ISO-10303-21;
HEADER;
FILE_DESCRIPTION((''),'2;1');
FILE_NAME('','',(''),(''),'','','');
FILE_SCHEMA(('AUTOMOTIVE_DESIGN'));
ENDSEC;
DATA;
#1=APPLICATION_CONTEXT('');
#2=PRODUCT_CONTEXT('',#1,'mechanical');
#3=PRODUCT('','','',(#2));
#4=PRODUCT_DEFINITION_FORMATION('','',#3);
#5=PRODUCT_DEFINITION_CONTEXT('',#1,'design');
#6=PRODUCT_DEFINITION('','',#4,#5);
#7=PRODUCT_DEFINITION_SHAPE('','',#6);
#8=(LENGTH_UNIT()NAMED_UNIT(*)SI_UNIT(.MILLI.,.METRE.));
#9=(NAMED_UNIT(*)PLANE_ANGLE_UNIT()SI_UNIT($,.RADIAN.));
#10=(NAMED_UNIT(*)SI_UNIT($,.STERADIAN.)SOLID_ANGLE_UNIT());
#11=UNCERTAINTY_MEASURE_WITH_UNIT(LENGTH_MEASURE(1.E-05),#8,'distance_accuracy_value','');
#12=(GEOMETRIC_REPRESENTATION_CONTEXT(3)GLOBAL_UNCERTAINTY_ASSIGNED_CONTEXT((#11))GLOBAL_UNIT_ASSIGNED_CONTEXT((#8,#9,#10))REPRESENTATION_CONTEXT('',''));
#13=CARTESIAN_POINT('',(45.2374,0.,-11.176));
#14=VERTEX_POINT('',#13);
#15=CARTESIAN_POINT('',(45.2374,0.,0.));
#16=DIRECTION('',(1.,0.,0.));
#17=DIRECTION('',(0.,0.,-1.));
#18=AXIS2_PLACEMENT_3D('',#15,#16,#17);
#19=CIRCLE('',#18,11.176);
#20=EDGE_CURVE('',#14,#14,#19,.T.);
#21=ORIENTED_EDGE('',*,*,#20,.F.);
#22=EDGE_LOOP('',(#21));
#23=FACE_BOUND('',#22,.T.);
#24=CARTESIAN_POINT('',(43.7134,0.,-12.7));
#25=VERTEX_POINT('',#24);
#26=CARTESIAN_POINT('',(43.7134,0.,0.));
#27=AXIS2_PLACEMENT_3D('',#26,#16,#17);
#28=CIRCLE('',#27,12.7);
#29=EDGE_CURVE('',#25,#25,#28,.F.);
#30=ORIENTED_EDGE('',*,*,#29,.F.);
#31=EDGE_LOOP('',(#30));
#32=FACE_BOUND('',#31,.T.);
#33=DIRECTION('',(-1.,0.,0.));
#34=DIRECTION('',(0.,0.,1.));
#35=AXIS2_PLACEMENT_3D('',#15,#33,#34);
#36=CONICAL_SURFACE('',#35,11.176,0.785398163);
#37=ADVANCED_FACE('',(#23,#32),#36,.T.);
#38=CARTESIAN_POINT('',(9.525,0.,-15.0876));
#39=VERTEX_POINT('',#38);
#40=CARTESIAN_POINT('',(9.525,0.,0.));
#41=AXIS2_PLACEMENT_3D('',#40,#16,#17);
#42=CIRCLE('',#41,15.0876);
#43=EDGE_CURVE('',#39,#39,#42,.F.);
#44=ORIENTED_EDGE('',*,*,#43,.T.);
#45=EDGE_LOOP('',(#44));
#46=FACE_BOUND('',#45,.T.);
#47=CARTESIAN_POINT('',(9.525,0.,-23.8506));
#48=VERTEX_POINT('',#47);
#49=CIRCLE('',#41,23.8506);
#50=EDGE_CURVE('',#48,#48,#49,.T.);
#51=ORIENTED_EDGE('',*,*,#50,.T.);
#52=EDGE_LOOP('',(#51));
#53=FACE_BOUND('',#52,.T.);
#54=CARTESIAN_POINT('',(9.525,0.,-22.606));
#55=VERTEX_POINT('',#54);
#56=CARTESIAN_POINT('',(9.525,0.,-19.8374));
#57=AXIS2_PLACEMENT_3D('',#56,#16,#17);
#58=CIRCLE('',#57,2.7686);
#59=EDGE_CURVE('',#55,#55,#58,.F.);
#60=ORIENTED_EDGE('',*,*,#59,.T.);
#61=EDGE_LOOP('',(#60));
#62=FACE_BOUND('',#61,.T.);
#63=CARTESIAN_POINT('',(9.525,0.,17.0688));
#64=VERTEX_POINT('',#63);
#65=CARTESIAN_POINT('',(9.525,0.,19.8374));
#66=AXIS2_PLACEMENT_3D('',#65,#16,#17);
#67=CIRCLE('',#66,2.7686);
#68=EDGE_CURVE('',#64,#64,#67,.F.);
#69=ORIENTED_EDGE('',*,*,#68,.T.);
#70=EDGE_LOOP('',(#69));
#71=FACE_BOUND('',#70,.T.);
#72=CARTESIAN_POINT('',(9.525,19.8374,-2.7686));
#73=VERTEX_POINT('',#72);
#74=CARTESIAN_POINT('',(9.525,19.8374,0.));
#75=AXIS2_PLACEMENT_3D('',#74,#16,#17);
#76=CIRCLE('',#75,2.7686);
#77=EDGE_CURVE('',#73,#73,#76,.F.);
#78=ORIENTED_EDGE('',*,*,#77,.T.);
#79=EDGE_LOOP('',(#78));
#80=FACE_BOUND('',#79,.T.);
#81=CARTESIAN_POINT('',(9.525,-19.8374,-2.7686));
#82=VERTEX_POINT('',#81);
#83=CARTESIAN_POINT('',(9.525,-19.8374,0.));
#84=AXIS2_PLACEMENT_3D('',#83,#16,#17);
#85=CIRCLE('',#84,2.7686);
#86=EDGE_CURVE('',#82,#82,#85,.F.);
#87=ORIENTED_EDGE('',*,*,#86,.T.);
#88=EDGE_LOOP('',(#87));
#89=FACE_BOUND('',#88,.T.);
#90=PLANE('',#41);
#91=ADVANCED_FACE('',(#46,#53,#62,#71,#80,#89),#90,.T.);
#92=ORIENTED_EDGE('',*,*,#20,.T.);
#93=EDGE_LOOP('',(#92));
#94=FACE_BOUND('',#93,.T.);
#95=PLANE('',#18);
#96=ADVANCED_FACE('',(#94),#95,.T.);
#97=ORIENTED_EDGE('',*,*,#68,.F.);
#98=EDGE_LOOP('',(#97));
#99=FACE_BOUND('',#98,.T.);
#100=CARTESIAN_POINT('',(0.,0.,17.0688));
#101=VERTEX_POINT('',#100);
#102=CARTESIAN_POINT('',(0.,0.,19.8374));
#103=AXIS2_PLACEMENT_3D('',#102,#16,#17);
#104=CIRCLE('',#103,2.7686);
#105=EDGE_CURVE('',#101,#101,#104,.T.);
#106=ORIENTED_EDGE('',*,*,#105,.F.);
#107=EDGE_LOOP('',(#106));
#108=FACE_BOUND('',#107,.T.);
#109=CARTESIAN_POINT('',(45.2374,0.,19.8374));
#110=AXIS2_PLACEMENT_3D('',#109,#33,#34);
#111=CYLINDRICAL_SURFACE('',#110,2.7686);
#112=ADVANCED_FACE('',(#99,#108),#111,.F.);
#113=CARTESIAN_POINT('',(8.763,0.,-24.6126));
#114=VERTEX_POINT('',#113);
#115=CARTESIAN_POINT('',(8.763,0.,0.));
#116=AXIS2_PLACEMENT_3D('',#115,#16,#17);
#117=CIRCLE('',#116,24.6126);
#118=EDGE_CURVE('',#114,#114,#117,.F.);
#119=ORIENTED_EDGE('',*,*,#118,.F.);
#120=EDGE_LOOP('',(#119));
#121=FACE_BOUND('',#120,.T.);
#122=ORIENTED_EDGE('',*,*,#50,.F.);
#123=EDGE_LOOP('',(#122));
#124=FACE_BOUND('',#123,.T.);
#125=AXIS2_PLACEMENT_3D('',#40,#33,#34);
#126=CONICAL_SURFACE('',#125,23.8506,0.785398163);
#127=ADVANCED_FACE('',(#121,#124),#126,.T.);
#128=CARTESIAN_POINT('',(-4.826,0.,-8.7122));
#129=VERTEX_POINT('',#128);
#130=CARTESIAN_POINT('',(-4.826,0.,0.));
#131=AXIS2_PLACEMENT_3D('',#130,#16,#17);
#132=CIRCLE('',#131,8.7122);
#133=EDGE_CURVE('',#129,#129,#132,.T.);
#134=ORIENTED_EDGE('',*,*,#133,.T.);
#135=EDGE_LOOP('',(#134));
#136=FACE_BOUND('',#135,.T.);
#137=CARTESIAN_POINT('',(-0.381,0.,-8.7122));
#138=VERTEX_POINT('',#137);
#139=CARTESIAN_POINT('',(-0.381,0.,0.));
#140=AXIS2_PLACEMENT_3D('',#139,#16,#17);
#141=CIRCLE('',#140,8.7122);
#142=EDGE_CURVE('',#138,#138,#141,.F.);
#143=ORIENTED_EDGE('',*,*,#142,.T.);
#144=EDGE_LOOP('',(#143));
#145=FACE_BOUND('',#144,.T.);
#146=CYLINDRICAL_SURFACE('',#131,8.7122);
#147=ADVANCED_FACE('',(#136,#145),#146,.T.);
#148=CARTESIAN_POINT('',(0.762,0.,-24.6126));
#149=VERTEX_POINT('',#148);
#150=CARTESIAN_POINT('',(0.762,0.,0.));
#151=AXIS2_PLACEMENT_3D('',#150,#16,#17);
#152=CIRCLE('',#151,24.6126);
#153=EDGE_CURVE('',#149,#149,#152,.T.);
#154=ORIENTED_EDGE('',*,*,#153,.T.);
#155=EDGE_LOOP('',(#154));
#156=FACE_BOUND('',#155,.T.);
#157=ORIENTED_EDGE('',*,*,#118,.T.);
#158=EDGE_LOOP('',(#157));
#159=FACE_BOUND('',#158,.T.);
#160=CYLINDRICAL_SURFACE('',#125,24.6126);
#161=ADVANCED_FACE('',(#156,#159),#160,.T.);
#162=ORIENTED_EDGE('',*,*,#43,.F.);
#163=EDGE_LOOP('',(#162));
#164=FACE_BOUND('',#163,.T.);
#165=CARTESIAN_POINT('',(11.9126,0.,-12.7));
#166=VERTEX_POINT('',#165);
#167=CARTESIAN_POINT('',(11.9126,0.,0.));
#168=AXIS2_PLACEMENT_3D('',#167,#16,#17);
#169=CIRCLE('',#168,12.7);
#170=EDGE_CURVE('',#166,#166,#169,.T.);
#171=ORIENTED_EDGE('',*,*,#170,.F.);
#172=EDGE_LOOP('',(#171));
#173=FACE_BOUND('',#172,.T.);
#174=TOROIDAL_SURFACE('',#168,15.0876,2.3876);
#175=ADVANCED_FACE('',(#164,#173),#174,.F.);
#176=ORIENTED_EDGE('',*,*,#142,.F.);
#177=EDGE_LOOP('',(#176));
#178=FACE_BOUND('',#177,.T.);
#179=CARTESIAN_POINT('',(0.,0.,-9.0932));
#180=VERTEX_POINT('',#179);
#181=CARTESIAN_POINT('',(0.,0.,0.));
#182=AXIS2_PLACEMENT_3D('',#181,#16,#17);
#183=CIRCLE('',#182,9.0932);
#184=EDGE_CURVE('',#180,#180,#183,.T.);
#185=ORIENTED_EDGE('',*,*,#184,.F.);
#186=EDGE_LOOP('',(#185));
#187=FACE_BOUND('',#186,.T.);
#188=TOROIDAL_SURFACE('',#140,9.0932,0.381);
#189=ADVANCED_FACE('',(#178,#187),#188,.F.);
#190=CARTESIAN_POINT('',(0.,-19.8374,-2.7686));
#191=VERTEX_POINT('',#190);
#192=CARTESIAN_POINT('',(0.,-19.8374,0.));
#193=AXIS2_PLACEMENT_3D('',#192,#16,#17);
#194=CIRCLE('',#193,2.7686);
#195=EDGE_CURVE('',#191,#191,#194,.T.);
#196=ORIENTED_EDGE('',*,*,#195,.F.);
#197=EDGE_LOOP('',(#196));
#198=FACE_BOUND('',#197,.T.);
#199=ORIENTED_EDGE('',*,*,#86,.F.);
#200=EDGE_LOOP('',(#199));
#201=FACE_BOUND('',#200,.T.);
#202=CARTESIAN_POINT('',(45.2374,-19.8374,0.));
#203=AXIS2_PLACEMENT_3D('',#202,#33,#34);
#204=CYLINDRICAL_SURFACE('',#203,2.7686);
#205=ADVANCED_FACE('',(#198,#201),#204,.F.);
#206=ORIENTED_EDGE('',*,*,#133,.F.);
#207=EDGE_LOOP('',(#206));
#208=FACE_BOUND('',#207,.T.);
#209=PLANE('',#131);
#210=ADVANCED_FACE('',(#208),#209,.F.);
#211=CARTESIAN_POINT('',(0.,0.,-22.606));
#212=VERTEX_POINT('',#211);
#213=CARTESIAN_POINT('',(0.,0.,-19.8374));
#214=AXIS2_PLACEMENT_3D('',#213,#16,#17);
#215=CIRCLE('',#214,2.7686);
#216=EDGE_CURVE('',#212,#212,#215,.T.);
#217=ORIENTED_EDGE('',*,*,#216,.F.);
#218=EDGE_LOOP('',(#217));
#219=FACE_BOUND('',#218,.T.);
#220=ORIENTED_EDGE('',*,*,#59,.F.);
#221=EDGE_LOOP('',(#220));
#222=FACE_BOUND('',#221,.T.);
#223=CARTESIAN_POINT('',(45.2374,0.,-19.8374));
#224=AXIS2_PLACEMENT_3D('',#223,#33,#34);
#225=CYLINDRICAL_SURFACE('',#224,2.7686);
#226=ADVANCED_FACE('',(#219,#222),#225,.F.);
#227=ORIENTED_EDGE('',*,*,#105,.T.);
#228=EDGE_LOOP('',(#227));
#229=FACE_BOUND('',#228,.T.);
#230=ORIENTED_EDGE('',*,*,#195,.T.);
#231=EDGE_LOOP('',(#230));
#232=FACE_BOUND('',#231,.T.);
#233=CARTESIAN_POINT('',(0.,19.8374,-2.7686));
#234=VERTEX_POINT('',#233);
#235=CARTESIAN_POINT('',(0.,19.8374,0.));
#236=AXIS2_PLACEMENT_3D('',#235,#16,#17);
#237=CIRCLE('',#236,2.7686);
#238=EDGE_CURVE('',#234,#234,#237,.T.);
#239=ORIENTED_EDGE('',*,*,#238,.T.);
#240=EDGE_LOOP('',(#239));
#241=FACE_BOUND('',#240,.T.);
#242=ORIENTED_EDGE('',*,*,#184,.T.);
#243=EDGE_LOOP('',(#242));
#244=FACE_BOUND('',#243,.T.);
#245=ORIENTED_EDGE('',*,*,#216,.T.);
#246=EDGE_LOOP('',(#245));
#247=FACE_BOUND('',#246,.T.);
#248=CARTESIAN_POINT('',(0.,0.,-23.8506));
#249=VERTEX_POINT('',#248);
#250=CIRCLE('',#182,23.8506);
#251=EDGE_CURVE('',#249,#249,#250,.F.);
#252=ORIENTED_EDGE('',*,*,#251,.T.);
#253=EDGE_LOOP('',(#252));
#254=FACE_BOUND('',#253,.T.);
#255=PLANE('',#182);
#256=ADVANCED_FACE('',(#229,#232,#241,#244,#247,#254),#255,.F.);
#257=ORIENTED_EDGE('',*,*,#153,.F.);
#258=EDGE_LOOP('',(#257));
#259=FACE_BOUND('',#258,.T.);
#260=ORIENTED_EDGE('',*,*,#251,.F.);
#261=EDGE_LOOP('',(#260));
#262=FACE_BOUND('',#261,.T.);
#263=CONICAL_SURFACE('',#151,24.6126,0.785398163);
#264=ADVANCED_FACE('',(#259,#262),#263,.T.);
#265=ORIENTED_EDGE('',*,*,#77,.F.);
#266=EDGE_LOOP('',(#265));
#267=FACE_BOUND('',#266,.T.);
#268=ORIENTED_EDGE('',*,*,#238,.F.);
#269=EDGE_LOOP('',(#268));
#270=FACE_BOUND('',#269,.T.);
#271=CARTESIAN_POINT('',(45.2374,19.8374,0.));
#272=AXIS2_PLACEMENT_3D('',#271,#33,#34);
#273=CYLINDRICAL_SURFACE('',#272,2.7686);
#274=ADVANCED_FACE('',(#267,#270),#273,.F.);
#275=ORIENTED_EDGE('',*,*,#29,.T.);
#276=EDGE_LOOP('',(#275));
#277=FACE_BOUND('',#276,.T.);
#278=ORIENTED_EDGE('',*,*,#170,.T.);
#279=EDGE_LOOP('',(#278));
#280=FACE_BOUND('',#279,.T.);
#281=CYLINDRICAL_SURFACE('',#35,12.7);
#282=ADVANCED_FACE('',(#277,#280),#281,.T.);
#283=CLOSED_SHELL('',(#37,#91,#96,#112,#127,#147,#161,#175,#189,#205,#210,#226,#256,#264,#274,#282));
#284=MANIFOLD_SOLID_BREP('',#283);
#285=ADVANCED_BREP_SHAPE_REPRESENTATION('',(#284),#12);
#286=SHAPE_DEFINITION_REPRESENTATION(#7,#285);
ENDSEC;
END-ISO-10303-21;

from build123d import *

# Parameters (mm, degrees)
SKETCH1_R           = 24.6126
BOSS_EXTRUDE1_DEPTH = 9.525
BOSS_EXTRUDE2_START = 9.525
SKETCH2_R           = 12.7
BOSS_EXTRUDE2_DEPTH = 35.7124
SKETCH3_R           = 8.7122
BOSS_EXTRUDE4_DEPTH = 4.826
SKETCH4_R           = 2.7686
CUT_EXTRUDE2_DEPTH  = 58.078739617
FILLET1_R           = 0.381
FILLET2_R           = 2.3876
CHAMFER1_SIZE       = 0.762
CHAMFER2_SIZE       = 1.524


with BuildPart() as part:
    # Sketch1 → Boss-Extrude1 (new body)
    with BuildSketch(Plane.YZ):
        with Locations(Location((0, 0, 0), (0, 0, 270))):
            Circle(SKETCH1_R)
    extrude(amount=BOSS_EXTRUDE1_DEPTH)

    # Sketch2 → Boss-Extrude2 (add)
    with BuildSketch(Plane.YZ.offset(BOSS_EXTRUDE2_START)):
        with Locations(Location((0, 0, 0), (0, 0, 270))):
            Circle(SKETCH2_R)
    extrude(amount=BOSS_EXTRUDE2_DEPTH)

    # Sketch3 → Boss-Extrude4 (add)
    with BuildSketch(Plane.YZ):
        with Locations(Location((0, 0, 0), (0, 0, 270))):
            Circle(SKETCH3_R)
    extrude(amount=-BOSS_EXTRUDE4_DEPTH)

    # Sketch4 → Cut-Extrude2 (cut, through all)
    with BuildSketch(Plane.YZ):
        with Locations(Location((0, 19.8374, 0), (0, 0, 270))):
            Circle(SKETCH4_R)
        with Locations(Location((19.8374, 0, 0), (0, 0, 270))):
            Circle(SKETCH4_R)
        with Locations(Location((0, -19.8374, 0), (0, 0, 270))):
            Circle(SKETCH4_R)
        with Locations(Location((-19.8374, 0, 0), (0, 0, 270))):
            Circle(SKETCH4_R)
    extrude(amount=CUT_EXTRUDE2_DEPTH, mode=Mode.SUBTRACT)

    # Fillet1
    fillet1_edges = [part.edges().sort_by_distance(p)[0] for p in [
        (0, 0, 8.7122),
    ]]
    fillet(fillet1_edges, radius=FILLET1_R)

    # Fillet2
    fillet2_edges = [part.edges().sort_by_distance(p)[0] for p in [
        (9.525, 0, 12.7),
    ]]
    fillet(fillet2_edges, radius=FILLET2_R)

    # Chamfer1
    chamfer1_edges = [part.edges().sort_by_distance(p)[0] for p in [
        (0, 0, 24.6126),
        (9.525, 0, 24.6126),
    ]]
    chamfer(chamfer1_edges, length=CHAMFER1_SIZE)

    # Chamfer2
    chamfer2_edges = [part.edges().sort_by_distance(p)[0] for p in [
        (45.2374, 0, 12.7),
    ]]
    chamfer(chamfer2_edges, length=CHAMFER2_SIZE)


solid = part.part
